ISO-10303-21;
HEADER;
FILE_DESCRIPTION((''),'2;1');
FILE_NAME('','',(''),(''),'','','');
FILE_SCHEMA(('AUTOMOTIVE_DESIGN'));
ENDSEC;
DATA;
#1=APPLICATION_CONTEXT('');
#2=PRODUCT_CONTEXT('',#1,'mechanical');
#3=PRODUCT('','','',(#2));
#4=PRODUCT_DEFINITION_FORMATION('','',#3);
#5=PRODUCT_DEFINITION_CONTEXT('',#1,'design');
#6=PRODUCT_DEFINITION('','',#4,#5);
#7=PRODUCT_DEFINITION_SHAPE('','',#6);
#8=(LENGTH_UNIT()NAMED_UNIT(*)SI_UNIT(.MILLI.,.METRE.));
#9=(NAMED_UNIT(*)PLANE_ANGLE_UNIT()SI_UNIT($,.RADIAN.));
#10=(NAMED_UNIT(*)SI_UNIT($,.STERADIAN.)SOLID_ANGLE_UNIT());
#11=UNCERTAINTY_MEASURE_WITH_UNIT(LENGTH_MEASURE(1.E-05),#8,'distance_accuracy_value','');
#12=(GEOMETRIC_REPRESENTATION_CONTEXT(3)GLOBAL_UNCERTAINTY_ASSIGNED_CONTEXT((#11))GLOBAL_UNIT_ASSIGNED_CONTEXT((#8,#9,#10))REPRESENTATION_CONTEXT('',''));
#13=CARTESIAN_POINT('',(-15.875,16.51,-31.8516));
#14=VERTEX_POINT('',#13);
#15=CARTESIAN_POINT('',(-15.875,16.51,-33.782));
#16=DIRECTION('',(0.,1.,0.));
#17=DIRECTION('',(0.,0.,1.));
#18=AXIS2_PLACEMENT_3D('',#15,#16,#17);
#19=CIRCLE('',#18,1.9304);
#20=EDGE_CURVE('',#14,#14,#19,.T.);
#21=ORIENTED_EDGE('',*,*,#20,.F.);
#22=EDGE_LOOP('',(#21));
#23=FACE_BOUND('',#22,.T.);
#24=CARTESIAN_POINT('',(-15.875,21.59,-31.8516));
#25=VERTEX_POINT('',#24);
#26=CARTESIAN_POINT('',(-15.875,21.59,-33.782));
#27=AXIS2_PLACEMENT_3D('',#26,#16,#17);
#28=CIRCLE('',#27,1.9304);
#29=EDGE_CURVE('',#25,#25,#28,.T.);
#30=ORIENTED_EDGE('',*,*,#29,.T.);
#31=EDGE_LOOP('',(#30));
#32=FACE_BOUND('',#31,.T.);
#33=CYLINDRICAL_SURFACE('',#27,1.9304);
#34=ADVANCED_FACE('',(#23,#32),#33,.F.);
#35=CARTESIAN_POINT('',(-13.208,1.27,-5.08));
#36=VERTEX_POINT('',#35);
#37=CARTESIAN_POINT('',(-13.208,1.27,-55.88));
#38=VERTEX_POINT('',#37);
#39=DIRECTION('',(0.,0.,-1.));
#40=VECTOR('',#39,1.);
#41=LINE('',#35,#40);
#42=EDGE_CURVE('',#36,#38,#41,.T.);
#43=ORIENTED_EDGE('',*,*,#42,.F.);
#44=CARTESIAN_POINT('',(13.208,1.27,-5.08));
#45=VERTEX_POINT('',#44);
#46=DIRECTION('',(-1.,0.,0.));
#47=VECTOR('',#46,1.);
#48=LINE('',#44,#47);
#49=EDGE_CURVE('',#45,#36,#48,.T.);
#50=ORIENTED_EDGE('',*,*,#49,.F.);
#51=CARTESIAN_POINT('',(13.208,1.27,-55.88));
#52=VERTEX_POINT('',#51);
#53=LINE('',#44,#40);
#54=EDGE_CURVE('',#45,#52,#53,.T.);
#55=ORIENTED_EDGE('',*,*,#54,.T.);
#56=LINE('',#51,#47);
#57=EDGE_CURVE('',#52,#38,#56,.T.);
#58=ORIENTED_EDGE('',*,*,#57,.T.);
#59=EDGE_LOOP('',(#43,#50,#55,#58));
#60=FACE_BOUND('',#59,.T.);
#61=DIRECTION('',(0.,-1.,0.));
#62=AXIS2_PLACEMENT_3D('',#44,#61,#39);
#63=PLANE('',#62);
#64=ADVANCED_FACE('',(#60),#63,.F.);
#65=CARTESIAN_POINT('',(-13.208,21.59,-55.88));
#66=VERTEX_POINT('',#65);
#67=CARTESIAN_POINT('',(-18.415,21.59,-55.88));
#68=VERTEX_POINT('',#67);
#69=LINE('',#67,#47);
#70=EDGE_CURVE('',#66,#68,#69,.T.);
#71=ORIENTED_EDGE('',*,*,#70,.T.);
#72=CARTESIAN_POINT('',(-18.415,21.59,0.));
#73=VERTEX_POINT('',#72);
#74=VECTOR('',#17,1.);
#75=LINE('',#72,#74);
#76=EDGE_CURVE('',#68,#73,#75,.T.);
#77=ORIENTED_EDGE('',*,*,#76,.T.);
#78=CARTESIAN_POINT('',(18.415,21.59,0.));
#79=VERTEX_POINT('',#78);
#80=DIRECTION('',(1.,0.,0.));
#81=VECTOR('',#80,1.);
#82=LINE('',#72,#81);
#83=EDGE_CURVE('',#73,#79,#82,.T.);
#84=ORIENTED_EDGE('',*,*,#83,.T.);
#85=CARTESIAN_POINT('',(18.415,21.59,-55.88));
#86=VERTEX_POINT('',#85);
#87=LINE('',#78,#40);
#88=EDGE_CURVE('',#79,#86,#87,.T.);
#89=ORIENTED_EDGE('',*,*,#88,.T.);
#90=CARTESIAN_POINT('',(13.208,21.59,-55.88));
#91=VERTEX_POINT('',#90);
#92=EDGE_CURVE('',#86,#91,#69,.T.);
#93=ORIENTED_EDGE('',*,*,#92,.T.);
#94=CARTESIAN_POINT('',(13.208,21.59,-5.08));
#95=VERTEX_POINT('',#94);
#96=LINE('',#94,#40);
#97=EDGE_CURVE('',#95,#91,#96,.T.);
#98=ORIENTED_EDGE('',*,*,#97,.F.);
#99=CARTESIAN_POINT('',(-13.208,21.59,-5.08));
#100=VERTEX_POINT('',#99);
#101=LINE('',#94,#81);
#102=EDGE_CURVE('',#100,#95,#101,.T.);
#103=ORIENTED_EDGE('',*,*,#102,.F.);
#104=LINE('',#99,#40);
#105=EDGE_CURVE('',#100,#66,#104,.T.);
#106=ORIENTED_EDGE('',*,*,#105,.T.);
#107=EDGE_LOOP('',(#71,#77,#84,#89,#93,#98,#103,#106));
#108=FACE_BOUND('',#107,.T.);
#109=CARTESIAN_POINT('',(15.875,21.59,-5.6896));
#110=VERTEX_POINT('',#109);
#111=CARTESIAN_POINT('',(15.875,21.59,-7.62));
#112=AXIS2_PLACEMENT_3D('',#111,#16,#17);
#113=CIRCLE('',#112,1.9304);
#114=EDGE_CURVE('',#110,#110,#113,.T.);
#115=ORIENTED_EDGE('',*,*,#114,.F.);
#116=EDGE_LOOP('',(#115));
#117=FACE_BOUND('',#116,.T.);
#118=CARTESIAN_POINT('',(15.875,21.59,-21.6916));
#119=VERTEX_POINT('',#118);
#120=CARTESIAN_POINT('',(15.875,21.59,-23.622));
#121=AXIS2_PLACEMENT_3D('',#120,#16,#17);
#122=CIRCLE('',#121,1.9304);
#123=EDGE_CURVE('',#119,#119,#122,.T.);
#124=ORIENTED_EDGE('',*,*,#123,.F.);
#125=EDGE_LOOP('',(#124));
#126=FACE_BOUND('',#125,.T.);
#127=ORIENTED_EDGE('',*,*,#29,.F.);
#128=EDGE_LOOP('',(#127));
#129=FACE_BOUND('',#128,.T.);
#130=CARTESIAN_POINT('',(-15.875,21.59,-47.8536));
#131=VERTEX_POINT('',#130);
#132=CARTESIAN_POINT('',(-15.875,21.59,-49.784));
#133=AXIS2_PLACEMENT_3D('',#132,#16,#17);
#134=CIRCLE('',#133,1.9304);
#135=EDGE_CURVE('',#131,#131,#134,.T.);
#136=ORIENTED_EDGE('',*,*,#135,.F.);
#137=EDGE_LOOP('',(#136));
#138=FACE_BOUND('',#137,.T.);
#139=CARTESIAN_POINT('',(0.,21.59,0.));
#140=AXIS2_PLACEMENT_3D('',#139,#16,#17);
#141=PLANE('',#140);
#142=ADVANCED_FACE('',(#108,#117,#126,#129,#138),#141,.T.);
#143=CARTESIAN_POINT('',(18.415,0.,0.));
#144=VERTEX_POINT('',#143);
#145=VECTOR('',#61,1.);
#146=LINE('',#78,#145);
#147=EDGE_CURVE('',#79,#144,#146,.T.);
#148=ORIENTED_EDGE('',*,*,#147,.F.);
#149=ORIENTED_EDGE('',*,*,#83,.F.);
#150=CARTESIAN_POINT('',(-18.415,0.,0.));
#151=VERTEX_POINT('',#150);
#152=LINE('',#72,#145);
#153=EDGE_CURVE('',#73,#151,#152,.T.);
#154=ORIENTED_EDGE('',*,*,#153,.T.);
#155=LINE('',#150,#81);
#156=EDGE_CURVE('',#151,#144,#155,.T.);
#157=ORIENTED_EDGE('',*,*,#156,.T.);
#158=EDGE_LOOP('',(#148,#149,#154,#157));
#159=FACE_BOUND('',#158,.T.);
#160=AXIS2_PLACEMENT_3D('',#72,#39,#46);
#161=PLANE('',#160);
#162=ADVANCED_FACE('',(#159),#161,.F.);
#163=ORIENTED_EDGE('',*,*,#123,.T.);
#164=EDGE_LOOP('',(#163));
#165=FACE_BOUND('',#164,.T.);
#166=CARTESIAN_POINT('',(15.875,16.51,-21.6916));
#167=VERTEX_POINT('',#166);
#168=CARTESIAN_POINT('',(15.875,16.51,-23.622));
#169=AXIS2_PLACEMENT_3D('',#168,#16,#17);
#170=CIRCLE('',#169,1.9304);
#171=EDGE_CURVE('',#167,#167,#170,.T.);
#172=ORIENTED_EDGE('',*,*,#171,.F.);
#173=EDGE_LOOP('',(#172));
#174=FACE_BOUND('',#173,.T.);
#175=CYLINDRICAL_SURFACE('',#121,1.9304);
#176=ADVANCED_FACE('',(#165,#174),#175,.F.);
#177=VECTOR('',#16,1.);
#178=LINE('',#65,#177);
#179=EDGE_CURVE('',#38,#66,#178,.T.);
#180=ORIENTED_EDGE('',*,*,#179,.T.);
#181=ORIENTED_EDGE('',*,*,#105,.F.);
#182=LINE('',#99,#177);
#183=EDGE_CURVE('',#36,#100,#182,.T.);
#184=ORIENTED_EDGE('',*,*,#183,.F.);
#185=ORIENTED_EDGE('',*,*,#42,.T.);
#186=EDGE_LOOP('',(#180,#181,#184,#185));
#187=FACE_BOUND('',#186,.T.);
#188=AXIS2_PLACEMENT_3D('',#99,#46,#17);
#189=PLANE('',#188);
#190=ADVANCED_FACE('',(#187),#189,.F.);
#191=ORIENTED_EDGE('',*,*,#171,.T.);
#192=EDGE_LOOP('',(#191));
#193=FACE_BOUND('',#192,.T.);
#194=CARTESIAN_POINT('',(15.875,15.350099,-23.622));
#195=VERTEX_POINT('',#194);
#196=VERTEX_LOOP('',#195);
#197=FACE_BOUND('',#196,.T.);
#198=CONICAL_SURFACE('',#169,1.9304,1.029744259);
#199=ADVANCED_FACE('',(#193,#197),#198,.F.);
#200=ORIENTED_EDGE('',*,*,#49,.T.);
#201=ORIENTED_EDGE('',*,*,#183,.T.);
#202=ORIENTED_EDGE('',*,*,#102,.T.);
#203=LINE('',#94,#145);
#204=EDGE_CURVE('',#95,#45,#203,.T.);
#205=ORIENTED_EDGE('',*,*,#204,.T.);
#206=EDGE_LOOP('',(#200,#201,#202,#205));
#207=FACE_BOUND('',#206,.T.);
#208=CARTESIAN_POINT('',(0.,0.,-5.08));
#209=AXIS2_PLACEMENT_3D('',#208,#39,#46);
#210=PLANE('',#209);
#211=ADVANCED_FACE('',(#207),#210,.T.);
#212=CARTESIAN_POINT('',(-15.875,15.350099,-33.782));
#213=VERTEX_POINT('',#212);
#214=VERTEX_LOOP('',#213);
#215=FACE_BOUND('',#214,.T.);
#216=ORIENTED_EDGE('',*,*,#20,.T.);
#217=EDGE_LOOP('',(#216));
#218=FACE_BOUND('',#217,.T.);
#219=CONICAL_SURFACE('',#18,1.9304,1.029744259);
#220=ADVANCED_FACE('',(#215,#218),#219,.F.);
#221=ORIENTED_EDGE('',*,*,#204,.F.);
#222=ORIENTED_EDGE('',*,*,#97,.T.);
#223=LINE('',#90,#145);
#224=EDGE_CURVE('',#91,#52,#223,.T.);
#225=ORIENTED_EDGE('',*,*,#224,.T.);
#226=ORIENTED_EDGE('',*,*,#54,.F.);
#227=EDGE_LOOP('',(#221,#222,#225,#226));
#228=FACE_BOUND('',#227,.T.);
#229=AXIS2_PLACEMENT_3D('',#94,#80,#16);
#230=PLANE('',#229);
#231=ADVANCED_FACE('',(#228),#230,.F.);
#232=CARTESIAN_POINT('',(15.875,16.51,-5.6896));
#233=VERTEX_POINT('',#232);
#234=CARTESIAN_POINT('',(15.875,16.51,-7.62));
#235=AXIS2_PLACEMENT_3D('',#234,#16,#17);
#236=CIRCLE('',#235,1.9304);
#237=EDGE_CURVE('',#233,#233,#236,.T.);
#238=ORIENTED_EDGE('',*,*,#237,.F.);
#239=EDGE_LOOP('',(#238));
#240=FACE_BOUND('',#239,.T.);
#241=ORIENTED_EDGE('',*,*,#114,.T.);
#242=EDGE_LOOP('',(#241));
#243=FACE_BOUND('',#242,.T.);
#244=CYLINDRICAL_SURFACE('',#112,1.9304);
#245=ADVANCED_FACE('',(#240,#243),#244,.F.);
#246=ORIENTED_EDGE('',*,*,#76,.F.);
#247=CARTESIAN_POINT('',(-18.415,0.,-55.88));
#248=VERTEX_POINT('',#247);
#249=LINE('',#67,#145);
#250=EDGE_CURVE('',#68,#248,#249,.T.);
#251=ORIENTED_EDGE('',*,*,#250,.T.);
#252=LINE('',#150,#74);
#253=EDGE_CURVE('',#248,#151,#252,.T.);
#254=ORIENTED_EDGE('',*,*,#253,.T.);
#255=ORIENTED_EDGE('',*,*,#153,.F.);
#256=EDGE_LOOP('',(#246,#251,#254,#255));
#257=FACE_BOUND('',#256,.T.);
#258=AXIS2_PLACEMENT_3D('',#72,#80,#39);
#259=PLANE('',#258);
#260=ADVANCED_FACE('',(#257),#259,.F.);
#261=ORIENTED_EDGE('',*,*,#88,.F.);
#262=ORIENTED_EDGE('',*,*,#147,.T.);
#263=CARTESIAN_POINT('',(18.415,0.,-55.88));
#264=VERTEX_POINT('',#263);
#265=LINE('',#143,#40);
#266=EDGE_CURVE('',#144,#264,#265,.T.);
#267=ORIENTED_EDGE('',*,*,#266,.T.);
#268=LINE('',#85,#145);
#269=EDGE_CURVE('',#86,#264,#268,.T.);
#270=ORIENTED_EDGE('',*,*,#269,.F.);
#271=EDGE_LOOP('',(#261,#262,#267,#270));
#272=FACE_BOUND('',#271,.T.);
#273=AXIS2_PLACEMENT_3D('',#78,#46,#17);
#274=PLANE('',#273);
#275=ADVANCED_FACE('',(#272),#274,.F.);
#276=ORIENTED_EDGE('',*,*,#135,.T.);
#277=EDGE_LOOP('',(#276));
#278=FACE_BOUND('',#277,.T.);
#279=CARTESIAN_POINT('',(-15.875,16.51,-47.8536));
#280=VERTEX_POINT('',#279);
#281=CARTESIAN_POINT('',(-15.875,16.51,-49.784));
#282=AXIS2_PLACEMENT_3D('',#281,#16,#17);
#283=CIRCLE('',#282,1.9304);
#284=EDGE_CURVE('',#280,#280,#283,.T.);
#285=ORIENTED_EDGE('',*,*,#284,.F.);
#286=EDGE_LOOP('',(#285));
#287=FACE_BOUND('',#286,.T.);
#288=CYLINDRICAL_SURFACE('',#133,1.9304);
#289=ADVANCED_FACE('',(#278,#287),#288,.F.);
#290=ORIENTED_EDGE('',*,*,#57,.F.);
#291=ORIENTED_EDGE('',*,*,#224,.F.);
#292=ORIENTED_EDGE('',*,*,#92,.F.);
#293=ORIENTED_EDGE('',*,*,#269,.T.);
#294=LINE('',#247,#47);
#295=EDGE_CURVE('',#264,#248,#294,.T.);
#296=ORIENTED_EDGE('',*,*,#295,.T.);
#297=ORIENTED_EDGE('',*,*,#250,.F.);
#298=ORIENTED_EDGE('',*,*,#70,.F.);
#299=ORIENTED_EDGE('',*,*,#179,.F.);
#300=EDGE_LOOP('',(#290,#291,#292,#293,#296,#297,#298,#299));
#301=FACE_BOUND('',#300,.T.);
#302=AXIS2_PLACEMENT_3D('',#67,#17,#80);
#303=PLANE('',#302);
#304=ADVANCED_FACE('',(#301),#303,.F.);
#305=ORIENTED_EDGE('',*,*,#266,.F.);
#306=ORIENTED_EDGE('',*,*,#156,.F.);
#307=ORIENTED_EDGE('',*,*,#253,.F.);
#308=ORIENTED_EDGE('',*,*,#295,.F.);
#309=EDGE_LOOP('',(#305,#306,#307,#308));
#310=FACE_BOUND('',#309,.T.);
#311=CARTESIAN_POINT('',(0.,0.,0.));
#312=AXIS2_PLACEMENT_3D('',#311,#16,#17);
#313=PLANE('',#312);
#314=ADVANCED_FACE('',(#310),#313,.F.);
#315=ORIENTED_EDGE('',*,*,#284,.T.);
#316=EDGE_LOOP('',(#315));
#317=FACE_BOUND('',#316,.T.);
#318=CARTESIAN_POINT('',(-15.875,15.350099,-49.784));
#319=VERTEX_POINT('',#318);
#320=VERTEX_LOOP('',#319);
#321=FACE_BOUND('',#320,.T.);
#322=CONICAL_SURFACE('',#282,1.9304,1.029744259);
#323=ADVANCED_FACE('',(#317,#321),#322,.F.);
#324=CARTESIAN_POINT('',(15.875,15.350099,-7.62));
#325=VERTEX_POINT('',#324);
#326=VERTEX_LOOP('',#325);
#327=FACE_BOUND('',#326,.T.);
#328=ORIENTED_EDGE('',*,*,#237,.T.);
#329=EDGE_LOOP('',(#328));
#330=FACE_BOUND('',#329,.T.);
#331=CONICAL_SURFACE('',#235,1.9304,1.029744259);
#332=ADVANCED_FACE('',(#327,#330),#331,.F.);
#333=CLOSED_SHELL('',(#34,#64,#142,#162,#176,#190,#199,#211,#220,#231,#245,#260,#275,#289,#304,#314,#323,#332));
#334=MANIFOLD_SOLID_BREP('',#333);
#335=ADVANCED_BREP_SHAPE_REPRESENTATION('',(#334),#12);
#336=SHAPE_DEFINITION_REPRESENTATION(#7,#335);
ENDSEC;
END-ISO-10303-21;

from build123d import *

# Parameters (mm, degrees)
SKETCH1_W                   = 36.83
SKETCH1_H                   = 55.88
BOSS_EXTRUDE1_DEPTH         = 21.59
SKETCH3_W                   = 26.416
SKETCH3_H                   = 20.32
CUT_EXTRUDE1_DEPTH          = 50.8
F_1_0_MM_DOWEL_HOLES1_D     = 3.8608
F_1_0_MM_DOWEL_HOLES1_DEPTH = 5.08
F_1_0_MM_DOWEL_HOLES1_TIP   = 1.159901339


with BuildPart() as part:
    # Sketch1 → Boss-Extrude1 (new body)
    with BuildSketch(Plane(origin=(0, 0, 0), x_dir=(1, 0, 0), z_dir=(0, 1, 0))):
        with Locations((0, 27.94)):
            Rectangle(SKETCH1_W, SKETCH1_H)
    extrude(amount=BOSS_EXTRUDE1_DEPTH)

    # Sketch3 → Cut-Extrude1 (cut)
    with BuildSketch(Plane(origin=(0, 0, -55.88), x_dir=(-1, 0, 0), z_dir=(0, 0, -1))):
        with Locations((0, 11.43)):
            Rectangle(SKETCH3_W, SKETCH3_H)
    extrude(amount=-CUT_EXTRUDE1_DEPTH, mode=Mode.SUBTRACT)

    # Ø1.0 mm Dowel Holes1
    with Locations(Plane(origin=(0, 21.59, 0), x_dir=(1, 0, 0), z_dir=(0, 1, 0))):
        with Locations((15.875, 7.62), (15.875, 23.622), (-15.875, 33.782), (-15.875, 49.784)):
            Hole(F_1_0_MM_DOWEL_HOLES1_D / 2, depth=F_1_0_MM_DOWEL_HOLES1_DEPTH)
            with Locations((0, 0, -(F_1_0_MM_DOWEL_HOLES1_DEPTH + F_1_0_MM_DOWEL_HOLES1_TIP / 2))):  # 118° drill point
                Cone(0, F_1_0_MM_DOWEL_HOLES1_D / 2, F_1_0_MM_DOWEL_HOLES1_TIP, mode=Mode.SUBTRACT)


solid = part.part
